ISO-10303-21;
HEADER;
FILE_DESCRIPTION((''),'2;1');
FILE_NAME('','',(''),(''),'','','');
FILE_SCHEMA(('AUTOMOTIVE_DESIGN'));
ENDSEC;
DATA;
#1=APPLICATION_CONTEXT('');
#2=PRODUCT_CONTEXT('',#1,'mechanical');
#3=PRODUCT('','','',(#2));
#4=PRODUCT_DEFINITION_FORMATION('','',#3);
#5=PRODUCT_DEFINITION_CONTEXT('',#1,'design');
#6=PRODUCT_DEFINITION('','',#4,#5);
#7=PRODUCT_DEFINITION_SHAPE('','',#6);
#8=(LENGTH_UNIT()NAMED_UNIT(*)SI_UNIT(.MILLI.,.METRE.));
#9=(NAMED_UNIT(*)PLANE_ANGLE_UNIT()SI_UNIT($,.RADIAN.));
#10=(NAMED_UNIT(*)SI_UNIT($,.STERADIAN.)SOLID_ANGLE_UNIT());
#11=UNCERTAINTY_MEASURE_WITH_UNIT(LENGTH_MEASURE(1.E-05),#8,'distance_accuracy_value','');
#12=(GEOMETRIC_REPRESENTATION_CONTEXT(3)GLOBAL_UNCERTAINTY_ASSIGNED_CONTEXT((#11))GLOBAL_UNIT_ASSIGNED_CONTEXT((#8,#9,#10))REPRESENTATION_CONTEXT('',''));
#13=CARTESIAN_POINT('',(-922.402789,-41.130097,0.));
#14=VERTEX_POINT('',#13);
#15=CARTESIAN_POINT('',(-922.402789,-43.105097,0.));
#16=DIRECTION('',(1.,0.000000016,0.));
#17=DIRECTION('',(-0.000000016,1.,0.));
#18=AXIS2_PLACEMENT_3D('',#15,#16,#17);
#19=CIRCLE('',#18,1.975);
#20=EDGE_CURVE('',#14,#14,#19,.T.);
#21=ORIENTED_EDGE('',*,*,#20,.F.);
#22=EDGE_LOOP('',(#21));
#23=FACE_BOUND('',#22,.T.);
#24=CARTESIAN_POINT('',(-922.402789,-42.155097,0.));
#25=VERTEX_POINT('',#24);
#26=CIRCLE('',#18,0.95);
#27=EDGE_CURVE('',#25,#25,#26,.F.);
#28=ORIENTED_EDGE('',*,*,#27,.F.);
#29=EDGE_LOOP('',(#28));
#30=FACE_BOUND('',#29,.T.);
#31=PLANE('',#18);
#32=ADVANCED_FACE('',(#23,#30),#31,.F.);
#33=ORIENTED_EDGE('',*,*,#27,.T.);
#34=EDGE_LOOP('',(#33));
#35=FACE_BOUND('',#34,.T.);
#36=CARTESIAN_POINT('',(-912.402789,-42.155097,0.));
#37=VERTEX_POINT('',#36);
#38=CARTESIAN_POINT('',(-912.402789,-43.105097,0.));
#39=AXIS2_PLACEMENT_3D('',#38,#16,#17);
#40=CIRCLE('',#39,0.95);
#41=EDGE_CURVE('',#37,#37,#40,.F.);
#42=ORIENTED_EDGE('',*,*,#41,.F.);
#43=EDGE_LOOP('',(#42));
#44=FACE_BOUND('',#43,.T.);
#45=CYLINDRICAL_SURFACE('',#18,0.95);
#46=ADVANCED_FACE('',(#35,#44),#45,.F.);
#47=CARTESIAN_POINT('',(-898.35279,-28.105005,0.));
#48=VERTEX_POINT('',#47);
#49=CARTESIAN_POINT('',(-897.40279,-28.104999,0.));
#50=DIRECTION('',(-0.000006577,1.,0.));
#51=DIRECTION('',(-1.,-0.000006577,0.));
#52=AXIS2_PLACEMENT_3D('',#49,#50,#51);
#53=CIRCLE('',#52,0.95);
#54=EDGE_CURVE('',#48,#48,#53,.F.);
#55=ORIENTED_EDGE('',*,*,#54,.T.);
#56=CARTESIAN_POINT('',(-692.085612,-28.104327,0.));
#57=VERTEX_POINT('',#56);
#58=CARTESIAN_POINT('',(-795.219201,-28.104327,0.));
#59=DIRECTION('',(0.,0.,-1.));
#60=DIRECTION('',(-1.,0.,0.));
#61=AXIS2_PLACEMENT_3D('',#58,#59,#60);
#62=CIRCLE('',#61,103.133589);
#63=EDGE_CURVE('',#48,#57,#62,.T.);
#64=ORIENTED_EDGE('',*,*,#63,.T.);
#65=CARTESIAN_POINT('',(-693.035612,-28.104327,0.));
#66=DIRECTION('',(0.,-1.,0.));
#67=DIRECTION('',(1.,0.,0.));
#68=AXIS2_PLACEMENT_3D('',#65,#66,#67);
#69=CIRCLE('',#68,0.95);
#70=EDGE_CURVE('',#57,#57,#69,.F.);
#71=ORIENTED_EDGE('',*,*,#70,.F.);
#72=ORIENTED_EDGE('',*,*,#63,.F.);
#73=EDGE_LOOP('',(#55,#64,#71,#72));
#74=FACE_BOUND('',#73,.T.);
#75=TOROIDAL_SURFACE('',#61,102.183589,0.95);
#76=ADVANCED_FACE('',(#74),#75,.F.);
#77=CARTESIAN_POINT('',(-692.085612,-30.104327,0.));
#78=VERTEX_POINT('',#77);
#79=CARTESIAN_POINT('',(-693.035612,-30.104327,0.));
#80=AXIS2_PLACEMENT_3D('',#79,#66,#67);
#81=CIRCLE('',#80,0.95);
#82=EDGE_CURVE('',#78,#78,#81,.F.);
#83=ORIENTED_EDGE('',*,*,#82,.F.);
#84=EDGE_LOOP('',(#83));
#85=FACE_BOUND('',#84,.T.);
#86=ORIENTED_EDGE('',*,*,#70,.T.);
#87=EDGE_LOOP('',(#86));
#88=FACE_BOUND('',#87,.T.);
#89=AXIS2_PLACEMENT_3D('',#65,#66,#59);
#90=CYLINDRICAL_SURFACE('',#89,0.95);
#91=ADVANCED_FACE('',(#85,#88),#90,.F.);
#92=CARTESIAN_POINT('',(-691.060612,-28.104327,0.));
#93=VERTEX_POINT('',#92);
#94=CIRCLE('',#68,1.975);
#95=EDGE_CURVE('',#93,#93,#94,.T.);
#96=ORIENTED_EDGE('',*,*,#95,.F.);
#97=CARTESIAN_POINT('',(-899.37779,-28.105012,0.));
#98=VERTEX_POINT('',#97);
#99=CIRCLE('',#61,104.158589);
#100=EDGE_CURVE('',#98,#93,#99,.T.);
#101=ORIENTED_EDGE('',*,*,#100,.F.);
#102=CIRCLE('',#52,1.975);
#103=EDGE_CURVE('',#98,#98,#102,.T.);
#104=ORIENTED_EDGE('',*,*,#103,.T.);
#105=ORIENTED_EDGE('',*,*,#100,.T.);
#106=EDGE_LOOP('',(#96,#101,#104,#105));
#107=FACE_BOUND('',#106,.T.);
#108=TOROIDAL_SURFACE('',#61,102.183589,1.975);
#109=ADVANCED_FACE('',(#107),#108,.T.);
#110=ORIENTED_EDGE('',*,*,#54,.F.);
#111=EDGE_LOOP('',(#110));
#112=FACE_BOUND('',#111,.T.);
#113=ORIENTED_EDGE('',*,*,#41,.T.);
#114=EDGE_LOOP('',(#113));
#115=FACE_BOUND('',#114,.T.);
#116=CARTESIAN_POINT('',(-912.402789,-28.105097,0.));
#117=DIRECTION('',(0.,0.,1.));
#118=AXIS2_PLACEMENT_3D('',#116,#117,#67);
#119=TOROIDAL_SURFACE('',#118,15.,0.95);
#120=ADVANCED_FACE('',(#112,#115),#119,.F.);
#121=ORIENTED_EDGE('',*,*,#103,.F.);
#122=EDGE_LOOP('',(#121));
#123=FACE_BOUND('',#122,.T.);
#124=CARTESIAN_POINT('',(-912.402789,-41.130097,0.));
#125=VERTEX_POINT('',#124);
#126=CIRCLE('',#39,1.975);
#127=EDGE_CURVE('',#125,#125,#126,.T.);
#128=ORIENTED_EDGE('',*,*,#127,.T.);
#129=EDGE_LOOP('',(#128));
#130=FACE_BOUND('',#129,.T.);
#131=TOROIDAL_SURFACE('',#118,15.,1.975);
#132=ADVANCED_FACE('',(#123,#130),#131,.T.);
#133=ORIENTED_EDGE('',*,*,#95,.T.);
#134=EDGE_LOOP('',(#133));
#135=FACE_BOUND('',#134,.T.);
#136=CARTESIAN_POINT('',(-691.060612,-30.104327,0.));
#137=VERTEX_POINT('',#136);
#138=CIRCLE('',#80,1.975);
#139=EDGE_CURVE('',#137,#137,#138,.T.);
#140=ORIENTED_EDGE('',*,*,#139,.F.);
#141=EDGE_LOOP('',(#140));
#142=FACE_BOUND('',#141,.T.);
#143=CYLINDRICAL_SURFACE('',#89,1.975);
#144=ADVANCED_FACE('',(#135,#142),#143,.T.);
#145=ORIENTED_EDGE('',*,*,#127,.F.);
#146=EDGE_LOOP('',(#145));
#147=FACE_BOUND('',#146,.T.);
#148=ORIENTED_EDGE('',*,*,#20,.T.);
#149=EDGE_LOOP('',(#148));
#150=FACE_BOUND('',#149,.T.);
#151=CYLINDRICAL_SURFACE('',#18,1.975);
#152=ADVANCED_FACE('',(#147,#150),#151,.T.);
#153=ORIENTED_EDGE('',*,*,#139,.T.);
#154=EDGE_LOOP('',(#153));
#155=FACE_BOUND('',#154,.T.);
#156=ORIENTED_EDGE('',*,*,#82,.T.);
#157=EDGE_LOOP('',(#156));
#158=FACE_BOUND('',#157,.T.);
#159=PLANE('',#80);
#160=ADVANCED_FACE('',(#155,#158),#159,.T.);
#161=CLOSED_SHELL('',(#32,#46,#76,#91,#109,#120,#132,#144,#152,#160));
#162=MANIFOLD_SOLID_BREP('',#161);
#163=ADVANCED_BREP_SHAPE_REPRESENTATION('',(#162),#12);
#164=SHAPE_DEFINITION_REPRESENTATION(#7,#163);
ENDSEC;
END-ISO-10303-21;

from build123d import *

# Parameters (mm, degrees)
SKETCH2_R   = 1.975
SKETCH2_R_2 = 0.95


with BuildPart() as part:
    # Sweep1: sweep along a path in Sketch1
    with BuildLine(Plane.XY) as sweep1_path:
        Line((-922.402789465, -43.105097392), (-912.402789465, -43.105097234))
        ThreePointArc((-912.402789465, -43.105097234), (-901.796152978, -38.711664118), (-897.402789465, -28.104998734))
        ThreePointArc((-897.402789465, -28.104998734), (-795.219537027, 74.079261821), (-693.03561251, -28.104326657))
        Line((-693.03561251, -28.104326657), (-693.03561251, -30.104326657))
    # Sketch2 → Sweep1 (sweep)
    with BuildSketch(Plane(origin=(-922.402789465, -43.105097392, 0), x_dir=(0, 0, -1), z_dir=(1, 1.6e-08, 0))):
        Circle(SKETCH2_R)
        Circle(SKETCH2_R_2, mode=Mode.SUBTRACT)
    sweep(path=sweep1_path.line)


solid = part.part
